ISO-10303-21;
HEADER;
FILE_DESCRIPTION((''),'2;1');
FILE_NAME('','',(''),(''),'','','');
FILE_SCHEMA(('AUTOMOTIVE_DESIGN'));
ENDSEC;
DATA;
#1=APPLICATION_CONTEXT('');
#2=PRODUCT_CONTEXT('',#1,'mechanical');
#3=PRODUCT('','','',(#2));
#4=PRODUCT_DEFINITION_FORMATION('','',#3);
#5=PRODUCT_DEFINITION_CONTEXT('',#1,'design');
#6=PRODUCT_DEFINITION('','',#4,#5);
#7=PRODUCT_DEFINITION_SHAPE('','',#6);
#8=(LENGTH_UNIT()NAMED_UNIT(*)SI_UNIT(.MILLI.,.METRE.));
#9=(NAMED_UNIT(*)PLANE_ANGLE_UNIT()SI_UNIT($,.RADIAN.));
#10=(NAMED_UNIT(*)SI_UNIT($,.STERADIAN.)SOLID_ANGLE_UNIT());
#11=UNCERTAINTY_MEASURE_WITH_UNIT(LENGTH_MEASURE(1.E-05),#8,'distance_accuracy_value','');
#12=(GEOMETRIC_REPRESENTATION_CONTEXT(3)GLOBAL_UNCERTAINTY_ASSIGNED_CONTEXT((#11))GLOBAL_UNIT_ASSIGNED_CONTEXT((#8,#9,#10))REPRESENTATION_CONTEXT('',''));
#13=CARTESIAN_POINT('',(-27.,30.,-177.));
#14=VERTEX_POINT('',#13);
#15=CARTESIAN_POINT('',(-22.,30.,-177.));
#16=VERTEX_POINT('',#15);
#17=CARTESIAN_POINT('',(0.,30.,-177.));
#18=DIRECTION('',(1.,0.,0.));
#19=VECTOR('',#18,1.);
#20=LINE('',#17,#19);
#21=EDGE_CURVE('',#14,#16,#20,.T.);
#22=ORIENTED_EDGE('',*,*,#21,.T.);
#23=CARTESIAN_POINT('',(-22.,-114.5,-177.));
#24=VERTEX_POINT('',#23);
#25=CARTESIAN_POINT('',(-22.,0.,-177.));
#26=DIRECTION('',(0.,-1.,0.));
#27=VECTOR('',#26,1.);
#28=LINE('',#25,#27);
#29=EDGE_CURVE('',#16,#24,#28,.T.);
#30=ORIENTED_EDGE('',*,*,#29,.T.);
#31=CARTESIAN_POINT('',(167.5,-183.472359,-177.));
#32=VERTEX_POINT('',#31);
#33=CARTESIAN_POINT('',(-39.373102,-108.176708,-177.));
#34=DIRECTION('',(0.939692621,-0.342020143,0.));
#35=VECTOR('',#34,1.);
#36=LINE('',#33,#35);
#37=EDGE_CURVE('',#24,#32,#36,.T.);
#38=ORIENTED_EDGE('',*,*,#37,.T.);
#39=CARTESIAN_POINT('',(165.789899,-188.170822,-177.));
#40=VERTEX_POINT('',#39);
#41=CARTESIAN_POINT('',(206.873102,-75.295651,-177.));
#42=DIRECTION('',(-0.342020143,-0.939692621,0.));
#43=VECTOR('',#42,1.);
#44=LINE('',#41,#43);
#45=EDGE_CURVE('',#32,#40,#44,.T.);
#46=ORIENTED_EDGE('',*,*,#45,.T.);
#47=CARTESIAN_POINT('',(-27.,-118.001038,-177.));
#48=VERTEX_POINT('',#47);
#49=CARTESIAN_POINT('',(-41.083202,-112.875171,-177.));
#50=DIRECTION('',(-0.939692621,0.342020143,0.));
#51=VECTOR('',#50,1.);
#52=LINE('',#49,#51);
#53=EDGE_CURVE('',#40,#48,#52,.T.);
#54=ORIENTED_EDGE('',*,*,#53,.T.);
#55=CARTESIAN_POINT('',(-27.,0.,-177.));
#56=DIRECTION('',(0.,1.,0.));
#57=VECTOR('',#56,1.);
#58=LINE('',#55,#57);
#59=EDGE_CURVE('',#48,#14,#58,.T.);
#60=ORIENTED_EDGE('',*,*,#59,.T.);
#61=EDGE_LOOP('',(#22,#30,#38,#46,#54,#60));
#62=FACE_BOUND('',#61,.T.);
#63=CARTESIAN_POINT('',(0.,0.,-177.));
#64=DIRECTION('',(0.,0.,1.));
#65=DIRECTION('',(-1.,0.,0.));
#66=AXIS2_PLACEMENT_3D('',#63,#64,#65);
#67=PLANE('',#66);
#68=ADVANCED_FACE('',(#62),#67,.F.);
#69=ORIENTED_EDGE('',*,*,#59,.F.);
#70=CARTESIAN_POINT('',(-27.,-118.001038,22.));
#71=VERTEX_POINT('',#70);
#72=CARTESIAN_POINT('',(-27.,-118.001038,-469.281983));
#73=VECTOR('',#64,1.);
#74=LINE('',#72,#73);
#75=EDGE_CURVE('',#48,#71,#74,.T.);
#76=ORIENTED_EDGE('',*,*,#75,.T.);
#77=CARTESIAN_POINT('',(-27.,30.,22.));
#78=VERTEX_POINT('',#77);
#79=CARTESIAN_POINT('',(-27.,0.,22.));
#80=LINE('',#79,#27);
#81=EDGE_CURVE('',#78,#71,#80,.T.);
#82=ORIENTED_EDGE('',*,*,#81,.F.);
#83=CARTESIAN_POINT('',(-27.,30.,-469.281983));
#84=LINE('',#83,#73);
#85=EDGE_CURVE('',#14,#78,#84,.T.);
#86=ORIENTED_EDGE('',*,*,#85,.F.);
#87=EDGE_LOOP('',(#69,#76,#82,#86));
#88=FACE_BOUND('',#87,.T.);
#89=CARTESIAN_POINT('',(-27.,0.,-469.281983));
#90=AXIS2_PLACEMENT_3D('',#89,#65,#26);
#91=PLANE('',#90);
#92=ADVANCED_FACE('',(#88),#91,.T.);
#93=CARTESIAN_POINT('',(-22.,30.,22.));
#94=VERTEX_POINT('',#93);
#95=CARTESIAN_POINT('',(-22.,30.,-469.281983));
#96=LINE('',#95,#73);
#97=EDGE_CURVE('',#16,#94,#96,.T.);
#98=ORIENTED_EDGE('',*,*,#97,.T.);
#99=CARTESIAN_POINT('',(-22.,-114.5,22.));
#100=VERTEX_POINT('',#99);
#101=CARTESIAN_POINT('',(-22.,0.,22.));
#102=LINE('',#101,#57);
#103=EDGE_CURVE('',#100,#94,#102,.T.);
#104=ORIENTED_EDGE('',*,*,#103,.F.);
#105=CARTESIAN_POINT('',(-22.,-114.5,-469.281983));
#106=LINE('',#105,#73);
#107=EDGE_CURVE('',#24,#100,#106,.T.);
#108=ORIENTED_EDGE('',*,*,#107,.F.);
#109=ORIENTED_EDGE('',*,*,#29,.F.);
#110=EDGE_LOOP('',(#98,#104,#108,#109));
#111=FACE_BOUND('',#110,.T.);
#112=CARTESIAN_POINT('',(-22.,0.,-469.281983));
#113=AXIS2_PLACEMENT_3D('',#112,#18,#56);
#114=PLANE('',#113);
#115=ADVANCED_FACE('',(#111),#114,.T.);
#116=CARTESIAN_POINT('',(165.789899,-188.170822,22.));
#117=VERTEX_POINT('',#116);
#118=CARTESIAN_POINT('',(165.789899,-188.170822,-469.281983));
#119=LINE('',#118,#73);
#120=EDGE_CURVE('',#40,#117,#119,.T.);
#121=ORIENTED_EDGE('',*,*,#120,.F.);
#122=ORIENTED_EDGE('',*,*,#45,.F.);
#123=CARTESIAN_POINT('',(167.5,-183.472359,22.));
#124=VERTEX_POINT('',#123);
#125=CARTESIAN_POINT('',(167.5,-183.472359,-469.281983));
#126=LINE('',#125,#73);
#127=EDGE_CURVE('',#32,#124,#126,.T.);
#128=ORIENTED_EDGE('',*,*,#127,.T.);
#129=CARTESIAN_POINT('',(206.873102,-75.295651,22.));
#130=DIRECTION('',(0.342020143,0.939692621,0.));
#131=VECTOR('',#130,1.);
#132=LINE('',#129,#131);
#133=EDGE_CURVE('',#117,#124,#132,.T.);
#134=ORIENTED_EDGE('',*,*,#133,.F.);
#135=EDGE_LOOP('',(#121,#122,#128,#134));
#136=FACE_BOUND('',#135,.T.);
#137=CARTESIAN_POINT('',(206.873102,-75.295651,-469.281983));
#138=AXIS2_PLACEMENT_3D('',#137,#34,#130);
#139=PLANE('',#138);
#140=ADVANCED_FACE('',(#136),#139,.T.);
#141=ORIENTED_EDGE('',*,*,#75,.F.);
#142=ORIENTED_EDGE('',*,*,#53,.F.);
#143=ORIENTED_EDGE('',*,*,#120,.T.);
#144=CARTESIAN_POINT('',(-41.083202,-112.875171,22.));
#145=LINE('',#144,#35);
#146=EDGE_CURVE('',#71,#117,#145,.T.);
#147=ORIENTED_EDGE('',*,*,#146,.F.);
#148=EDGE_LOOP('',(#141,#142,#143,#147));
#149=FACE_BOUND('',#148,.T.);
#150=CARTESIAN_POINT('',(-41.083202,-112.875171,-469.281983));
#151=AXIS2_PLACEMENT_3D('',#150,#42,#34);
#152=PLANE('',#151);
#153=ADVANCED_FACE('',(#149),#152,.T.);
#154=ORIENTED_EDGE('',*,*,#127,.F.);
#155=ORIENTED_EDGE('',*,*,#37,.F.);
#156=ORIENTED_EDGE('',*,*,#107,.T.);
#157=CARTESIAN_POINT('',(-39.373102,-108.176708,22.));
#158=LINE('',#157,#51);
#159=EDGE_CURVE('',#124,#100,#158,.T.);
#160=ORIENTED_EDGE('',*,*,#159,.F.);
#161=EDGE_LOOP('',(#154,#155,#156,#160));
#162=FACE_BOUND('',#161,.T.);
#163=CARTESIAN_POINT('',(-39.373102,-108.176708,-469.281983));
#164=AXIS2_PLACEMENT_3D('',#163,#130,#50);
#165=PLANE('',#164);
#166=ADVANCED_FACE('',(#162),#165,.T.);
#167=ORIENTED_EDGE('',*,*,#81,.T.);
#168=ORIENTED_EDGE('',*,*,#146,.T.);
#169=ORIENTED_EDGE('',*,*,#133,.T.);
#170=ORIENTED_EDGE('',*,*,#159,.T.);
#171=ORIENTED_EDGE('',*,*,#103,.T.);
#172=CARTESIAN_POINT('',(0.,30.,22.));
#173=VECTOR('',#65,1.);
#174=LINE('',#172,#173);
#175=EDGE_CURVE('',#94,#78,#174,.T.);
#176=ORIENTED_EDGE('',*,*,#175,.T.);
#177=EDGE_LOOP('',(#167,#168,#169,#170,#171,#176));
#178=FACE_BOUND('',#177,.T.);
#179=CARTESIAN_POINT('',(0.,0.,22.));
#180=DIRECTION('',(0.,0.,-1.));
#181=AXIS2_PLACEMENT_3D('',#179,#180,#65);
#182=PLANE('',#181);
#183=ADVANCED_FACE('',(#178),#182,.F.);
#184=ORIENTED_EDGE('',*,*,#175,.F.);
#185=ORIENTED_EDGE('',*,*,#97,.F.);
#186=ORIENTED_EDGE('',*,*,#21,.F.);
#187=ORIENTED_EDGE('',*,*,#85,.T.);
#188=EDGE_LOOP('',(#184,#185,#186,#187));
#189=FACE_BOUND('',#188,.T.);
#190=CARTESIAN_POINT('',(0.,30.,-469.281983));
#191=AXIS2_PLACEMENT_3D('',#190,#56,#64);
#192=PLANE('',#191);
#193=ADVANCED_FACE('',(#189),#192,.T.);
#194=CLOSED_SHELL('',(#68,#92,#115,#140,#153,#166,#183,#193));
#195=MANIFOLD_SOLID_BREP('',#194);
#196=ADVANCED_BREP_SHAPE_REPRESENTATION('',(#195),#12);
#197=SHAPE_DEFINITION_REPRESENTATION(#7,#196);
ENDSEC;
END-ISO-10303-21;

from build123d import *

# Parameters (mm, degrees)
BOSS_EXTRUDE1_START = 22
BOSS_EXTRUDE1_DEPTH = 199


with BuildPart() as part:
    # Sketch1 → Boss-Extrude1 (new body)
    with BuildSketch(Plane.XY.offset(BOSS_EXTRUDE1_START)):
        Polygon((-22, 30), (-22, -114.5), (167.5, -183.472359393), (165.789899283, -188.170822497), (-27, -118.001037691), (-27, 30), align=None)
    extrude(amount=-BOSS_EXTRUDE1_DEPTH)


solid = part.part
